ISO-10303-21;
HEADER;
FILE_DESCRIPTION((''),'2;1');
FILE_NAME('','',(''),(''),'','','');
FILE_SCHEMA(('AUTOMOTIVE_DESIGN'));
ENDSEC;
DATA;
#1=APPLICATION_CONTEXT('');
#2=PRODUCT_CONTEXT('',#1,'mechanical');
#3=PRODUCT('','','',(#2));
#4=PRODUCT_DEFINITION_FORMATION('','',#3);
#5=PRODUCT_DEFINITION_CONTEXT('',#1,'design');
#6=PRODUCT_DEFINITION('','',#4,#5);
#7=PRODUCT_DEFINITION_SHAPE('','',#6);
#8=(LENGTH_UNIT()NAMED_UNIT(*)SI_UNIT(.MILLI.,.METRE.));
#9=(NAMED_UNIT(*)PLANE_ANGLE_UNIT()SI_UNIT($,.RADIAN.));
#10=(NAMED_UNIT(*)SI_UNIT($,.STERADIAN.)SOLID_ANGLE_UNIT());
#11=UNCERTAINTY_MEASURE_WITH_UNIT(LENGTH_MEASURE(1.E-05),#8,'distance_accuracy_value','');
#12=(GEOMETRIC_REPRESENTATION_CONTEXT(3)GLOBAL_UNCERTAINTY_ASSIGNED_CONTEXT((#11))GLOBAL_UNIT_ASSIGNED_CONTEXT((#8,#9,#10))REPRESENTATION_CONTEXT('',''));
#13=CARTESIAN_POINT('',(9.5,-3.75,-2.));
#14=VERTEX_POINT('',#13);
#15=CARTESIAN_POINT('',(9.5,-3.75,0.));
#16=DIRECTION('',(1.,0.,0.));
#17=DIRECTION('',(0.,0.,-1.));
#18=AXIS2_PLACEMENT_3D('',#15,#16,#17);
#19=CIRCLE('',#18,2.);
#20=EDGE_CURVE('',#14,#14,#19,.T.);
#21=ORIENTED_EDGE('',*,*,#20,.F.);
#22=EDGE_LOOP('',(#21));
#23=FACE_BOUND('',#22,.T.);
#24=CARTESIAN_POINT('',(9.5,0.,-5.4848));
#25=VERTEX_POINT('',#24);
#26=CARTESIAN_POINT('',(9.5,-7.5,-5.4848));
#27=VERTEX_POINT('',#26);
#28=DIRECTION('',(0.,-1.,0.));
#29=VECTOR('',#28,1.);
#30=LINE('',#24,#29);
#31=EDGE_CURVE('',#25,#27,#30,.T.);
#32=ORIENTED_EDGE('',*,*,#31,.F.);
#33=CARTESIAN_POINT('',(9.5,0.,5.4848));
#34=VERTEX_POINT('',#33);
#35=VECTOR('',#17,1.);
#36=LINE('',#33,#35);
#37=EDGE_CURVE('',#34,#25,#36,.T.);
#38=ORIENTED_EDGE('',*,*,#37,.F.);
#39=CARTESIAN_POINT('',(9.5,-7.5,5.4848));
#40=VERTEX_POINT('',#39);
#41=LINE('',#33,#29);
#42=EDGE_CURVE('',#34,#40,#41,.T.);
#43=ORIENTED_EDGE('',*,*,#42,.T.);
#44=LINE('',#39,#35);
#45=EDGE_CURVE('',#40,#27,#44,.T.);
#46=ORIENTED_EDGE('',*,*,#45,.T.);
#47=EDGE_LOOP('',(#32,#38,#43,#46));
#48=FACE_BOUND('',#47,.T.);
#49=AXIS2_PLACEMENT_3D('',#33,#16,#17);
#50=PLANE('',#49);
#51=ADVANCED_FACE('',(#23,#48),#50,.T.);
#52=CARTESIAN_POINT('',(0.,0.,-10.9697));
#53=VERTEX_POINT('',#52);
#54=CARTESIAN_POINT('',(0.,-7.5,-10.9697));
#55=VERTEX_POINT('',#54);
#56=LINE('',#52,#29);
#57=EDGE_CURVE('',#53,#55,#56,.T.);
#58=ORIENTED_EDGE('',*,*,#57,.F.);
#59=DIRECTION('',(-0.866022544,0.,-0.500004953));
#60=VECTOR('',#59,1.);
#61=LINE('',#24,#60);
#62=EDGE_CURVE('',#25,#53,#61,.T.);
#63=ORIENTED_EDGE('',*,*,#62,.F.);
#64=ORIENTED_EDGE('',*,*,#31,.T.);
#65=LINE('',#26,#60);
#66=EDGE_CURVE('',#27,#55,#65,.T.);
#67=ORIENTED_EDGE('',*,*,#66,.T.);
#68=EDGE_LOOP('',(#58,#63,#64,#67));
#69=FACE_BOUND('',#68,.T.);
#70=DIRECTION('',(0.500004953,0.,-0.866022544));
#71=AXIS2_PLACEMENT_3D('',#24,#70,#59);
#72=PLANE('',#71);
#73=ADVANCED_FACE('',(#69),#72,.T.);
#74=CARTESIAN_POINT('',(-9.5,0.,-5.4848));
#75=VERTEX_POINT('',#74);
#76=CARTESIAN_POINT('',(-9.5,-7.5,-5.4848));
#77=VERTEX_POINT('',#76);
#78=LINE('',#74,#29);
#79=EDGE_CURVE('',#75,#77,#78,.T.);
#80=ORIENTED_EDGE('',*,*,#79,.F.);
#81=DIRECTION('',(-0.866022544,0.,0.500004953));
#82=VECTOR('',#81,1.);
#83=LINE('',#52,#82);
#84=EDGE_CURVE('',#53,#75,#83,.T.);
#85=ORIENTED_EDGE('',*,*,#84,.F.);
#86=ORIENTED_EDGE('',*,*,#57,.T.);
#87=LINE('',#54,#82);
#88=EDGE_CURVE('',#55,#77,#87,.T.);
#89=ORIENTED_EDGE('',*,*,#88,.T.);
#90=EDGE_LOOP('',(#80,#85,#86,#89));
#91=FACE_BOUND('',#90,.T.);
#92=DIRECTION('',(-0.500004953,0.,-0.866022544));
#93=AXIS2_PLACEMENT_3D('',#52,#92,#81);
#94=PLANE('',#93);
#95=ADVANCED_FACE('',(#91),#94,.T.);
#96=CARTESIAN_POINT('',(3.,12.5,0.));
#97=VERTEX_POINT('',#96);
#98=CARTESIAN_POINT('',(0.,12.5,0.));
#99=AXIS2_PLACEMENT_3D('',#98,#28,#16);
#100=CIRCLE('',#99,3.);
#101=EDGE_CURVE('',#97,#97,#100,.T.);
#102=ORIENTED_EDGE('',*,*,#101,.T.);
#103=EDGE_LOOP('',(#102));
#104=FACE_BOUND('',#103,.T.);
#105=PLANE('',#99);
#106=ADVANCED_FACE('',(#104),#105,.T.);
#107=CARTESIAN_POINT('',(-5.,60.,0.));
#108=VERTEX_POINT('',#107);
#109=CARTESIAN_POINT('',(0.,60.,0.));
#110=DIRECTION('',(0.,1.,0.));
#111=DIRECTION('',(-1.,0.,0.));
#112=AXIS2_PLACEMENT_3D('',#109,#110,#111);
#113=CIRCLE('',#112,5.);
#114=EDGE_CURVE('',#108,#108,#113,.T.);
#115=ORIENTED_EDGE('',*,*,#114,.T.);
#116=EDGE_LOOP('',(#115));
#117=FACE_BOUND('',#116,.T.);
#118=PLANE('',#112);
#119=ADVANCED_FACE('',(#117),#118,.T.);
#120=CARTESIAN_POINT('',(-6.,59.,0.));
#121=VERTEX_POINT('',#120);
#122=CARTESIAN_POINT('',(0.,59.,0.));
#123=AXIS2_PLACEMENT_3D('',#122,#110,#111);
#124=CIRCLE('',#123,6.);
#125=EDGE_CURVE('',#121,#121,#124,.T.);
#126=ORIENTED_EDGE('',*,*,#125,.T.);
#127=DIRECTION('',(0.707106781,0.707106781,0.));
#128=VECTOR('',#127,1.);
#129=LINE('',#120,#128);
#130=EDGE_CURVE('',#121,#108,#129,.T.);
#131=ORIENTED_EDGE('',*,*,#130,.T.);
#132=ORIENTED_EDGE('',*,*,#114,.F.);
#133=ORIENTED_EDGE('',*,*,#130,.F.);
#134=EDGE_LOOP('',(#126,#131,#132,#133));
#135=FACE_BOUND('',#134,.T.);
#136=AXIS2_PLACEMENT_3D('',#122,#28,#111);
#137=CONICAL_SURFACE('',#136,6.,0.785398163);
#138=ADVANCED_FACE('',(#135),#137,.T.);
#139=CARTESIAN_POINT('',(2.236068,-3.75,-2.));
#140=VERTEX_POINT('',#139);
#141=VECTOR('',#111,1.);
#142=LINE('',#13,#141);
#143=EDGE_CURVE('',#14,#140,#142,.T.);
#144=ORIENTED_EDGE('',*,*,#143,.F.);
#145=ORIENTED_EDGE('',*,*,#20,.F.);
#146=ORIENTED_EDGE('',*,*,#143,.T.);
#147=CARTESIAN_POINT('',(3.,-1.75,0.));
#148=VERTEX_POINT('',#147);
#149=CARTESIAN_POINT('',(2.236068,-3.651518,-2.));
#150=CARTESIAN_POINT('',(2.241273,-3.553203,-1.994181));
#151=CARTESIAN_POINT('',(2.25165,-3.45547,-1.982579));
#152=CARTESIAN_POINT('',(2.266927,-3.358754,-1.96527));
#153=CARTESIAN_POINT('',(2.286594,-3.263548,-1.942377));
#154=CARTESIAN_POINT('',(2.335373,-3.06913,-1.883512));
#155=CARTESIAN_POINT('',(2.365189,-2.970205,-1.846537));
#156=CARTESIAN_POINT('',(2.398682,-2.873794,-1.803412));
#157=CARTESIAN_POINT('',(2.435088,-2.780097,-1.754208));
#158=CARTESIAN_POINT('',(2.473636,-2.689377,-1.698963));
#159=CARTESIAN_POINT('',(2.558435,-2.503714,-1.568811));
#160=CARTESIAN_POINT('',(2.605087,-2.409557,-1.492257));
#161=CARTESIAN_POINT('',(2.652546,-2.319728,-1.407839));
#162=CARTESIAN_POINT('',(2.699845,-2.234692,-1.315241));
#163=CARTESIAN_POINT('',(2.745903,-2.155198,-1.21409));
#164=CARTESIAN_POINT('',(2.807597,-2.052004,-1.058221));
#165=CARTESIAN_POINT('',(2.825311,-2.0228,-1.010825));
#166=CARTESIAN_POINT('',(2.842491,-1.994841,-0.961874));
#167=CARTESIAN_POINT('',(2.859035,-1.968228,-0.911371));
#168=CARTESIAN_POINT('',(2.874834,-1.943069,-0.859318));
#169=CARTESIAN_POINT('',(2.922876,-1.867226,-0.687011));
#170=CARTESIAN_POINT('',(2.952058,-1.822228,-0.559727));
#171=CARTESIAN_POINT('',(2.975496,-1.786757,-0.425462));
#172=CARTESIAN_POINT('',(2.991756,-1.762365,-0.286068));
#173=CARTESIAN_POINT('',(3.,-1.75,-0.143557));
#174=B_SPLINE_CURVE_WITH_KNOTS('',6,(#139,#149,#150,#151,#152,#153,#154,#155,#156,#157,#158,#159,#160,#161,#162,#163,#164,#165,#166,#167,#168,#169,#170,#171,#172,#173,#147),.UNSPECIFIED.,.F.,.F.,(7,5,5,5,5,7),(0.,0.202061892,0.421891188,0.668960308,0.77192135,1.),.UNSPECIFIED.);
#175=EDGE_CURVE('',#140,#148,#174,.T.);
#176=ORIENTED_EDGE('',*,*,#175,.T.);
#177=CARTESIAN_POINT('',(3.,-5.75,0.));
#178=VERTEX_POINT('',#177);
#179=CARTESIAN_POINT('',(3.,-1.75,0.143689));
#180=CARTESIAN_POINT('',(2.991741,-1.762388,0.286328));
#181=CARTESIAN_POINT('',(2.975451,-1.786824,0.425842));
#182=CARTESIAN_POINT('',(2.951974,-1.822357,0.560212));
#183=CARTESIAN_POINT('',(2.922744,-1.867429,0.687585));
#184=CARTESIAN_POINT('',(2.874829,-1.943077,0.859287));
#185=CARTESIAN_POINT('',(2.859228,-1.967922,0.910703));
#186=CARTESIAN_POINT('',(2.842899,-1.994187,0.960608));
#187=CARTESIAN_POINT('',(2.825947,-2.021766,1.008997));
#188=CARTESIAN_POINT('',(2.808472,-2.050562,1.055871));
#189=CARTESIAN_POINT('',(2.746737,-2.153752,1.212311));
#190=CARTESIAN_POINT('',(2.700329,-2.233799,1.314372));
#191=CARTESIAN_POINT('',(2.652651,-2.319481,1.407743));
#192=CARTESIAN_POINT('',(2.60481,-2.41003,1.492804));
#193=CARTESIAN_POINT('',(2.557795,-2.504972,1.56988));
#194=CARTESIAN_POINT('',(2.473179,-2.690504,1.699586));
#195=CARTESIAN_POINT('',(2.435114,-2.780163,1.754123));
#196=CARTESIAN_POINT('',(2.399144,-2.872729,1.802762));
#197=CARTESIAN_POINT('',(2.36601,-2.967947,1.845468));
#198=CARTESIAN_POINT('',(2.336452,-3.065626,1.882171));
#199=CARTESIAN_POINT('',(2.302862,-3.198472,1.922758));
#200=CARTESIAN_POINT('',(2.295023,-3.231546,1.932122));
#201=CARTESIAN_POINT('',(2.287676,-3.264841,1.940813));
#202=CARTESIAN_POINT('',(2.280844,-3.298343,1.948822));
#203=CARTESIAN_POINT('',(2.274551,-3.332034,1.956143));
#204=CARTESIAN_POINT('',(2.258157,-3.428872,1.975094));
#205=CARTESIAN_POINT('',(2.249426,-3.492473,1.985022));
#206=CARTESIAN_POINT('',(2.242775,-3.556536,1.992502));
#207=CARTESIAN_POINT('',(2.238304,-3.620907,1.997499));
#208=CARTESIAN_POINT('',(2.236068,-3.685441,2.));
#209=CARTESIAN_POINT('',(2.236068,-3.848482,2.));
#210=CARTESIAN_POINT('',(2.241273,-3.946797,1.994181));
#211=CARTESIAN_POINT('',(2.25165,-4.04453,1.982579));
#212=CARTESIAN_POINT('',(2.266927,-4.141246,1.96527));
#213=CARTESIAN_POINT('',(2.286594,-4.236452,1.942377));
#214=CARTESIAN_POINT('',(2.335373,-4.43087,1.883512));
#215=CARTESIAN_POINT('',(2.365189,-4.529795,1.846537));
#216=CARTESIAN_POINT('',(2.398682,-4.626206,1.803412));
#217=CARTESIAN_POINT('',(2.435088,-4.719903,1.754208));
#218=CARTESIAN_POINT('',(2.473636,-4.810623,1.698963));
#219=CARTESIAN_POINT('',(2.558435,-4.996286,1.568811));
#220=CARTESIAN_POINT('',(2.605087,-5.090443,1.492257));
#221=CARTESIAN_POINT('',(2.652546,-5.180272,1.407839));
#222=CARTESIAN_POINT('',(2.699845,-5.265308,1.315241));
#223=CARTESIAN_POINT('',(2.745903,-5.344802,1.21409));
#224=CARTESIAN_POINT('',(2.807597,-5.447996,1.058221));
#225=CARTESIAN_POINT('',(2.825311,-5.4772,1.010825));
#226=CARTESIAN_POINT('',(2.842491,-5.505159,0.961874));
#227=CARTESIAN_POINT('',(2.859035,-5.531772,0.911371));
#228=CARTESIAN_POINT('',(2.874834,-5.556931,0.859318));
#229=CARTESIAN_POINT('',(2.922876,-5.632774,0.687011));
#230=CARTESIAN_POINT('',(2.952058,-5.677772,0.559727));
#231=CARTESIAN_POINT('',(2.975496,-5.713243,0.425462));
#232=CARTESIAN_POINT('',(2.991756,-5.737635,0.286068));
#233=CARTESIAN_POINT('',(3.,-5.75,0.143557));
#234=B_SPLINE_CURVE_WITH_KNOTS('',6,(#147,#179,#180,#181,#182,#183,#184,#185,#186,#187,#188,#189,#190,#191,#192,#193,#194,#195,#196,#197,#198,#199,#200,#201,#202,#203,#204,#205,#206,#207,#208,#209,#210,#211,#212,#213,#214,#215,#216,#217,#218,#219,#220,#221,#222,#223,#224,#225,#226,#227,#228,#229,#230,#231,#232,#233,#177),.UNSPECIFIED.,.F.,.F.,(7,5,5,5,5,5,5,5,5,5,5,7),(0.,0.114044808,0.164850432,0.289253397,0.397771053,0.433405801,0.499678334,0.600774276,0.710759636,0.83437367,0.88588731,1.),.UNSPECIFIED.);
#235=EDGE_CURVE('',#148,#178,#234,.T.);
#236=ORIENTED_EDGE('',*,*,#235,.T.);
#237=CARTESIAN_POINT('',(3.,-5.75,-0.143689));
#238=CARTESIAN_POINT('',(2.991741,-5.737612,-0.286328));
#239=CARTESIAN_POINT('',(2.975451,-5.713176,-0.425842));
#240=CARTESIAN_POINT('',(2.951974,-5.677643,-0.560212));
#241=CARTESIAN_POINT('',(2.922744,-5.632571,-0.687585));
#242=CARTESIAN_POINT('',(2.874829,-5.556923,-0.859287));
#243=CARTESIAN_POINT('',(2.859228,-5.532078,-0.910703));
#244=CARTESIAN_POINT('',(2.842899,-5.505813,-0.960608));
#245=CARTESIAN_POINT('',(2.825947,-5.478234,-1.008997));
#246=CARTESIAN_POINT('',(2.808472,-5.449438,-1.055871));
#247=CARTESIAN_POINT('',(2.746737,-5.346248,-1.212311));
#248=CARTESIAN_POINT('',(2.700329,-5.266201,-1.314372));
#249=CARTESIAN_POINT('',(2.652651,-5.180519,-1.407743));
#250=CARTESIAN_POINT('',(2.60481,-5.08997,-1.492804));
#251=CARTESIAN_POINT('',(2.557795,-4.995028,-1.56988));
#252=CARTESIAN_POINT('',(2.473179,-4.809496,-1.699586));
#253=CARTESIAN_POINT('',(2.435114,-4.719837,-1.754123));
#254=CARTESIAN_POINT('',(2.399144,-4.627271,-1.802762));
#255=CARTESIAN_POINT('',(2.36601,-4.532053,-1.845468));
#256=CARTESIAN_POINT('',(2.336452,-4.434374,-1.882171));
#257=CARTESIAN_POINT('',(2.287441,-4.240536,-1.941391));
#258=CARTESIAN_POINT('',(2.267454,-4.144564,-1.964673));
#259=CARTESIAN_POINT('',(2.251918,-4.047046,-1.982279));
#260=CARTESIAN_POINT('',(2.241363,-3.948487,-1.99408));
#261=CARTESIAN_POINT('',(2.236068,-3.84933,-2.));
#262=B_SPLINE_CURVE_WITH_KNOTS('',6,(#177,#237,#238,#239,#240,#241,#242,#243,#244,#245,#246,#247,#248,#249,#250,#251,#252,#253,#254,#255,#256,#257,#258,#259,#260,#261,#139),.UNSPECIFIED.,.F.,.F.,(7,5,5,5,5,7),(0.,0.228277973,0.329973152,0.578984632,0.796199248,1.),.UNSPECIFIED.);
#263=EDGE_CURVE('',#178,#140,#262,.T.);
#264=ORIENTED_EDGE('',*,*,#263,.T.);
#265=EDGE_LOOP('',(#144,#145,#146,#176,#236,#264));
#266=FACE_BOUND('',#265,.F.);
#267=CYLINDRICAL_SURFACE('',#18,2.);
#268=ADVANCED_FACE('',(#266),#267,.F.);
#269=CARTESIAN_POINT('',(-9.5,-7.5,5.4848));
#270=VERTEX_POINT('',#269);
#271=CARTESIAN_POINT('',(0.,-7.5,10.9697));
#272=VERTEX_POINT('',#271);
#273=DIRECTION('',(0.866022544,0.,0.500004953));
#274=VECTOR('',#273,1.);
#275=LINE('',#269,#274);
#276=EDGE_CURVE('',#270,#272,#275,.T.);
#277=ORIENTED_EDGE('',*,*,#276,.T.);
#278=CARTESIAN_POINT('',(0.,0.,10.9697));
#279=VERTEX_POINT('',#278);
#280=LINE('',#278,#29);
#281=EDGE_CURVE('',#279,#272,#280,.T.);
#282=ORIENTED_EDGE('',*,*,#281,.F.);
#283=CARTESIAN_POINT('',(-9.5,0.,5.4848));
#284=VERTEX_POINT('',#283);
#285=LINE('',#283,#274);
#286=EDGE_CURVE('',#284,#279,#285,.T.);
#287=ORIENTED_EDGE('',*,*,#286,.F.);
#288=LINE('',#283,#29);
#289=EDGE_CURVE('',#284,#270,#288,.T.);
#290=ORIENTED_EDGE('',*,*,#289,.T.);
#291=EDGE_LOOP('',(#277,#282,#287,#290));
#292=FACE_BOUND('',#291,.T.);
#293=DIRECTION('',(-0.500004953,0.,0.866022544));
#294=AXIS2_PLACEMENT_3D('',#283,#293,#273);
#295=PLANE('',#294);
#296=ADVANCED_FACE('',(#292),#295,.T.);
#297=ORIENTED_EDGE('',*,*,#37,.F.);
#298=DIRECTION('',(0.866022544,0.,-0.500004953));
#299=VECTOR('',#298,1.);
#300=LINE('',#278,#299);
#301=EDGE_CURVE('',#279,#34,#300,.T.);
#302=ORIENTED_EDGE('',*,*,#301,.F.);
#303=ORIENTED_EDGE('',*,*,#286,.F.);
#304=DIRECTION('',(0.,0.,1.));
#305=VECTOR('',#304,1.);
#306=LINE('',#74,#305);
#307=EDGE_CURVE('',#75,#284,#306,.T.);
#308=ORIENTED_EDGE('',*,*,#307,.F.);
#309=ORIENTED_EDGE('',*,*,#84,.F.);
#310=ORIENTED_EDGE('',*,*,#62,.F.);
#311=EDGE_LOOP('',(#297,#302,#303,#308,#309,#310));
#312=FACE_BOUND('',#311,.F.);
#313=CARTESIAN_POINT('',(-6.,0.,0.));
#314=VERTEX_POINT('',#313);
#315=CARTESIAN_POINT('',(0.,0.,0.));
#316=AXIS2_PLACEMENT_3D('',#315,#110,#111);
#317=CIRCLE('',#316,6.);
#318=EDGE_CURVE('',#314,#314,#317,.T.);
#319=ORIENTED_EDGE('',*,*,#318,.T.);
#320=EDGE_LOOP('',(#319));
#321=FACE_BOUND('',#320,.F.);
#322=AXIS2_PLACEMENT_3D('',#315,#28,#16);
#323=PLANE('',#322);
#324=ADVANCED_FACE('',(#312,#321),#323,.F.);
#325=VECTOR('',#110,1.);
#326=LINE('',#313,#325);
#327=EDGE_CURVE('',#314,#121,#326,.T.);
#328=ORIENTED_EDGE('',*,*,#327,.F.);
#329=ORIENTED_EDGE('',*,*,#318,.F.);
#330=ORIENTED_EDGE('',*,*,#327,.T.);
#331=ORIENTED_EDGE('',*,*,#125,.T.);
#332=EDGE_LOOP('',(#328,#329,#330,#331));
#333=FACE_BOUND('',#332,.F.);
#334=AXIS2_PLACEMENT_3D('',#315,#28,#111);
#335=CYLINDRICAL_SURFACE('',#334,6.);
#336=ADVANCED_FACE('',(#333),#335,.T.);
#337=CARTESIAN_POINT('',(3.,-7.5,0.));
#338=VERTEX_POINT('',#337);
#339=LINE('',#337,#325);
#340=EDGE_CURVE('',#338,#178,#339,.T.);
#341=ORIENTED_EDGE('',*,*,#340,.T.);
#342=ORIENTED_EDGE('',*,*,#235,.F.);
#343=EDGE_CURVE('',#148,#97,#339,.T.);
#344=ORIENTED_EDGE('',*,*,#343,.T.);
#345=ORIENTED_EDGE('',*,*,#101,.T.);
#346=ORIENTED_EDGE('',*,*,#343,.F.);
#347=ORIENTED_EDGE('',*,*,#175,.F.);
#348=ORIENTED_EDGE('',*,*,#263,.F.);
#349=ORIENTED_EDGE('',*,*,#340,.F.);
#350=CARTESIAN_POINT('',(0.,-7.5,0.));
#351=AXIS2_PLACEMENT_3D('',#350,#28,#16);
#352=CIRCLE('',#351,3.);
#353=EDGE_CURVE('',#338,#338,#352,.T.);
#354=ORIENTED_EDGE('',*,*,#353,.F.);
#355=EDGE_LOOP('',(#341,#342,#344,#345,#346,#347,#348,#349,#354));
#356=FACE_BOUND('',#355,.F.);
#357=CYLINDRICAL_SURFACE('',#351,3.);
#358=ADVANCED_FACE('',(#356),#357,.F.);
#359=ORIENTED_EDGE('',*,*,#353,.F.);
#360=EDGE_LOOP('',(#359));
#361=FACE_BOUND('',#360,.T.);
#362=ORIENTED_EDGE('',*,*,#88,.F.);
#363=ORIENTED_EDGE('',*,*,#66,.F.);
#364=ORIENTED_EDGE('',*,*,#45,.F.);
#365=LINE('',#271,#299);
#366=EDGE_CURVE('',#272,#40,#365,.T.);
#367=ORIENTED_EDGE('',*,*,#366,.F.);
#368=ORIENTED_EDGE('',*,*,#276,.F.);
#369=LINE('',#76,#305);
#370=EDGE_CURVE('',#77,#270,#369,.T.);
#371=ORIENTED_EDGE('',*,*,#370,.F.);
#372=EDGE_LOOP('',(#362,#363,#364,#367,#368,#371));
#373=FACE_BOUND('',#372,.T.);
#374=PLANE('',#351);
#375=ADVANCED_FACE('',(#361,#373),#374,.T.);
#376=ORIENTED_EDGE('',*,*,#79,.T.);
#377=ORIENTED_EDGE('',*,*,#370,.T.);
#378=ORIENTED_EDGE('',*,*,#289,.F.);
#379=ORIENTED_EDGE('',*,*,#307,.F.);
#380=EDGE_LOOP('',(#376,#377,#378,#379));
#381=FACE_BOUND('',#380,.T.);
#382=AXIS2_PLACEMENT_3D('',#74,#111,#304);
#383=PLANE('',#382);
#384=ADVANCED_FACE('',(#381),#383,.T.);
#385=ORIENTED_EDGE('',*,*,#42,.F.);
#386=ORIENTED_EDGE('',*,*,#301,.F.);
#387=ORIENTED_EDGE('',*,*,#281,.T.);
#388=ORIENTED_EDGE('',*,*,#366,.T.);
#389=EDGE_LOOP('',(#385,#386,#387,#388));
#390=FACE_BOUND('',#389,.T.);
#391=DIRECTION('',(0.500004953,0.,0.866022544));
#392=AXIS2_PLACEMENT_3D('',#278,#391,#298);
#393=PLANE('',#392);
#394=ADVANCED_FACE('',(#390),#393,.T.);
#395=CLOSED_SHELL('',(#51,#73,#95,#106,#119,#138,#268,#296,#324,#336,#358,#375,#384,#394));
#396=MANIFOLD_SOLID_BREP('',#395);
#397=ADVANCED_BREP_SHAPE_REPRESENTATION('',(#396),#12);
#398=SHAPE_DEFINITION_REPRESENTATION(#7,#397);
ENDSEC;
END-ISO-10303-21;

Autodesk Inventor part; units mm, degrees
ref_plane "YZ Plane" through (0, 0, 0) normal (1, 0, 0) x (0, 1, 0)
ref_plane "XZ Plane" through (0, 0, 0) normal (0, 1, 0) x (-1, 0, 0)
ref_plane "XY Plane" through (0, 0, 0) normal (0, 0, 1) x (1, 0, 0)
sketch "Эскиз1" plane through (0, 0, 0) normal (0, 1, 0) x (-1, 0, 0)
  circle A0 centre (0, 0) radius 6
  dimension "d0" = 12
extrude "Выдавливание1" add sketch "Эскиз1" along normal blind 60
thread "Резьба1" size "M12x1.75" class "6g" standard "ANSI Metric M Profile" full length
sketch "Эскиз2" plane through (0, 0, 0) normal (0, -1, 0) x (1, 0, 0)
  line L0 (9.5, 5.4848) -> (9.5, -5.4848)
  line L1 (9.5, -5.4848) -> (0, -10.9697)
  line L2 (0, -10.9697) -> (-9.5, -5.4848)
  line L3 (-9.5, -5.4848) -> (-9.5, 5.4848)
  line L4 (-9.5, 5.4848) -> (0, 10.9697)
  line L5 (0, 10.9697) -> (9.5, 5.4848)
  line L6 (0, -15.3575) -> (0, 15.3575) construction
  point P0 (0, 0)
  point P1 (0, 0)
  dimension "d5" = 19
extrude "Выдавливание2" add sketch "Эскиз2" along normal blind 7.5
sketch "Эскиз3" plane through (0, -7.5, 0) normal (0, -1, 0) x (1, 0, 0)
  circle A0 centre (0, 0) radius 3
  dimension "d8" = 6
extrude "Выдавливание3" cut sketch "Эскиз3" against normal blind 20
sketch "Эскиз4" plane through (9.5, 0, 5.4848) normal (1, 0, 0) x (0, 0, -1)
  circle A0 centre (5.4848, -3.75) radius 2
  line L0 (10.9697, -7.5) -> (0, -7.5) projected
  point P0 (5.4848, 0)
  dimension "d11" = 4
  dimension "d12" = 3.75
extrude "Выдавливание4" cut sketch "Эскиз4" against normal blind 8.5
thread "Резьба2" size "M4x0.7" class "6H" standard "ANSI Metric M Profile" full length
chamfer "Фаска1" distance 1 angle 45 1 edges at (6, 60, 0)
properties part number "KB33-046-002-002 - Втулка"
